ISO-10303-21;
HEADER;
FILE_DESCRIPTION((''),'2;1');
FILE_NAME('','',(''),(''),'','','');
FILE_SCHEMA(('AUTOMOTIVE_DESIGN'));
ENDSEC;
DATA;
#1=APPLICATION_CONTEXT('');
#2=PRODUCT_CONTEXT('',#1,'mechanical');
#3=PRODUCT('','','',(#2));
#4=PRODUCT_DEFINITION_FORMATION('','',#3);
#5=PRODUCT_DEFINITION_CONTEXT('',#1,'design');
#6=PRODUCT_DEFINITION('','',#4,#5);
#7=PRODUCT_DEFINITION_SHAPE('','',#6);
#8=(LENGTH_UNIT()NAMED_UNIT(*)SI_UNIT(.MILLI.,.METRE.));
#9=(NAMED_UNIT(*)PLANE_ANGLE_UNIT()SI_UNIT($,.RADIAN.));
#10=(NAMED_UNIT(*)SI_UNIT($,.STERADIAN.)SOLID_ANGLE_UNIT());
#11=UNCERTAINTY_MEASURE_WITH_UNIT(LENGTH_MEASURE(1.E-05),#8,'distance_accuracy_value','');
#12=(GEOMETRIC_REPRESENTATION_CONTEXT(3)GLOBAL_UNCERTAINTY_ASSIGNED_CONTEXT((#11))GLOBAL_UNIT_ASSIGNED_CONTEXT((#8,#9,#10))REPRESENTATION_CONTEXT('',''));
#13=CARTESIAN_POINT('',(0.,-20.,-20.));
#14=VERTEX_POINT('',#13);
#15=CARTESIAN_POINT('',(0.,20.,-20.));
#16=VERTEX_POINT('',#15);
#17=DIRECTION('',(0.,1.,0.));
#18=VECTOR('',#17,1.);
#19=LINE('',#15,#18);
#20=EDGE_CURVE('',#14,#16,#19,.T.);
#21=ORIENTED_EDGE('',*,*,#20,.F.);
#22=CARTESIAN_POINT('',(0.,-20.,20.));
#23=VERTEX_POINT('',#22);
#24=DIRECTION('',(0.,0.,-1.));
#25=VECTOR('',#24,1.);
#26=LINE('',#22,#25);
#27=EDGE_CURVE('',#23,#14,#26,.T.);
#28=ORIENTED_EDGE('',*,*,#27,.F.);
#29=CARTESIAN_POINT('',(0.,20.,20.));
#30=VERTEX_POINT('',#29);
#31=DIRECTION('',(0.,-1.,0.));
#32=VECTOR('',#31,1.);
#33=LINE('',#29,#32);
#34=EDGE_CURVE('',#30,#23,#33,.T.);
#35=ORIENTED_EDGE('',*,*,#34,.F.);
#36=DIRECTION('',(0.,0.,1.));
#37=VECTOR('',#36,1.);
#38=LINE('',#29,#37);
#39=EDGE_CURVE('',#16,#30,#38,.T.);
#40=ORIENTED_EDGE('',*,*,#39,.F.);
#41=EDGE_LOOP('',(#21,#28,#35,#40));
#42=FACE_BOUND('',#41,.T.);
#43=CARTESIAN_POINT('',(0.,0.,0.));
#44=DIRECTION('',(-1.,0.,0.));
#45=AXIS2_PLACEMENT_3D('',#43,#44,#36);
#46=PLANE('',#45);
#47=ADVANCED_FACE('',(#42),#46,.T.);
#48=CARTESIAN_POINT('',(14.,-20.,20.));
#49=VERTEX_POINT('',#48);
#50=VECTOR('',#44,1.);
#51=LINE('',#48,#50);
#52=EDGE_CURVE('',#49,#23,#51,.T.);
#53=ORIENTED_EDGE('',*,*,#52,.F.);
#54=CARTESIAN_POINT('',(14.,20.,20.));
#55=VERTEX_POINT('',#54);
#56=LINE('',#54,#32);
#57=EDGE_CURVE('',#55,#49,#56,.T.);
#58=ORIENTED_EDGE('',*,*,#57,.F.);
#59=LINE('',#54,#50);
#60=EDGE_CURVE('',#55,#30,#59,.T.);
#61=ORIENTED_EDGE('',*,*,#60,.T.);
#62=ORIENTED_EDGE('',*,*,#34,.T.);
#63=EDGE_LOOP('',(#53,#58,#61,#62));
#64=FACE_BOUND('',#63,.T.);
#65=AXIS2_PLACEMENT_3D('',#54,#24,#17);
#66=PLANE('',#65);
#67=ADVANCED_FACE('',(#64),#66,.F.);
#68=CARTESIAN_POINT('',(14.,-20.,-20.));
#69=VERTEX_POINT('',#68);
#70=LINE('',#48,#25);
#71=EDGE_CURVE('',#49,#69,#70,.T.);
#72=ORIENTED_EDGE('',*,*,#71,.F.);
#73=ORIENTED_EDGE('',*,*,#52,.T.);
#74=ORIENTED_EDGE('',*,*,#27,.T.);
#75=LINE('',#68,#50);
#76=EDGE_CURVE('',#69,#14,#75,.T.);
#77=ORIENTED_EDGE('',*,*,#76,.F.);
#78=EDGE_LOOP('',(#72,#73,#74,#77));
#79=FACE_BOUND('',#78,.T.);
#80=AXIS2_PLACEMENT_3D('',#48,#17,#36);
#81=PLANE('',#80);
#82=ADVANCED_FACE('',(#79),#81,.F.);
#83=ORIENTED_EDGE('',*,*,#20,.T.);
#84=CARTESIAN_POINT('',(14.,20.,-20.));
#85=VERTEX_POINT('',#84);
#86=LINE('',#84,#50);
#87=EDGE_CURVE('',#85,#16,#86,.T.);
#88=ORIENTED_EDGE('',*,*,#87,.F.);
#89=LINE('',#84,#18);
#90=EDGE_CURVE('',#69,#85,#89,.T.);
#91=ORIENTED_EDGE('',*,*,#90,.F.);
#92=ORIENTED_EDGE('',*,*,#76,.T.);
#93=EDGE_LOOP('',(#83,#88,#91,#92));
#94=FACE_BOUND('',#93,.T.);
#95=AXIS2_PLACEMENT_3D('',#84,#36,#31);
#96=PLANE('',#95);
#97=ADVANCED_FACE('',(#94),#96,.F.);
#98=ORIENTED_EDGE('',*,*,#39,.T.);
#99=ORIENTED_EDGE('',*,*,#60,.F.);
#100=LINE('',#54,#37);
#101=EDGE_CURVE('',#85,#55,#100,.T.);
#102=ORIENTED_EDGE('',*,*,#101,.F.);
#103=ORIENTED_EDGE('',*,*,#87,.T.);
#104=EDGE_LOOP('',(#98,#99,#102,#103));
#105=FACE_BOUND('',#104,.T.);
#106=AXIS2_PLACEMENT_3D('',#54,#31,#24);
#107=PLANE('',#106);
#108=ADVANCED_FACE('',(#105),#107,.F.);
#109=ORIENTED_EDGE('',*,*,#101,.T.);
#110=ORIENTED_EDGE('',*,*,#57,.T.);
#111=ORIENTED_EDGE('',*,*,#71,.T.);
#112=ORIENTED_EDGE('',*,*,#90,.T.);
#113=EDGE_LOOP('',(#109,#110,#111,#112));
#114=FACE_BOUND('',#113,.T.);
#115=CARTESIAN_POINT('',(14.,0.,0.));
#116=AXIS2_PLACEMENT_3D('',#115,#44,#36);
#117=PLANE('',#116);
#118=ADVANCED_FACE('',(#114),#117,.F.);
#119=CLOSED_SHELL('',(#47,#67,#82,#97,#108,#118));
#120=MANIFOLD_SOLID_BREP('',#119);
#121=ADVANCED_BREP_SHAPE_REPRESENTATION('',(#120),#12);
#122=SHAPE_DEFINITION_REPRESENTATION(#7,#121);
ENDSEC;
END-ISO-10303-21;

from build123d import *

# Parameters (mm, degrees)
SKETCH1_W           = 40
SKETCH1_H           = 40
BOSS_EXTRUDE1_DEPTH = 14


with BuildPart() as part:
    # Sketch1 → Boss-Extrude1 (new body)
    with BuildSketch(Plane.YZ):
        Rectangle(SKETCH1_W, SKETCH1_H)
    extrude(amount=BOSS_EXTRUDE1_DEPTH)


solid = part.part
